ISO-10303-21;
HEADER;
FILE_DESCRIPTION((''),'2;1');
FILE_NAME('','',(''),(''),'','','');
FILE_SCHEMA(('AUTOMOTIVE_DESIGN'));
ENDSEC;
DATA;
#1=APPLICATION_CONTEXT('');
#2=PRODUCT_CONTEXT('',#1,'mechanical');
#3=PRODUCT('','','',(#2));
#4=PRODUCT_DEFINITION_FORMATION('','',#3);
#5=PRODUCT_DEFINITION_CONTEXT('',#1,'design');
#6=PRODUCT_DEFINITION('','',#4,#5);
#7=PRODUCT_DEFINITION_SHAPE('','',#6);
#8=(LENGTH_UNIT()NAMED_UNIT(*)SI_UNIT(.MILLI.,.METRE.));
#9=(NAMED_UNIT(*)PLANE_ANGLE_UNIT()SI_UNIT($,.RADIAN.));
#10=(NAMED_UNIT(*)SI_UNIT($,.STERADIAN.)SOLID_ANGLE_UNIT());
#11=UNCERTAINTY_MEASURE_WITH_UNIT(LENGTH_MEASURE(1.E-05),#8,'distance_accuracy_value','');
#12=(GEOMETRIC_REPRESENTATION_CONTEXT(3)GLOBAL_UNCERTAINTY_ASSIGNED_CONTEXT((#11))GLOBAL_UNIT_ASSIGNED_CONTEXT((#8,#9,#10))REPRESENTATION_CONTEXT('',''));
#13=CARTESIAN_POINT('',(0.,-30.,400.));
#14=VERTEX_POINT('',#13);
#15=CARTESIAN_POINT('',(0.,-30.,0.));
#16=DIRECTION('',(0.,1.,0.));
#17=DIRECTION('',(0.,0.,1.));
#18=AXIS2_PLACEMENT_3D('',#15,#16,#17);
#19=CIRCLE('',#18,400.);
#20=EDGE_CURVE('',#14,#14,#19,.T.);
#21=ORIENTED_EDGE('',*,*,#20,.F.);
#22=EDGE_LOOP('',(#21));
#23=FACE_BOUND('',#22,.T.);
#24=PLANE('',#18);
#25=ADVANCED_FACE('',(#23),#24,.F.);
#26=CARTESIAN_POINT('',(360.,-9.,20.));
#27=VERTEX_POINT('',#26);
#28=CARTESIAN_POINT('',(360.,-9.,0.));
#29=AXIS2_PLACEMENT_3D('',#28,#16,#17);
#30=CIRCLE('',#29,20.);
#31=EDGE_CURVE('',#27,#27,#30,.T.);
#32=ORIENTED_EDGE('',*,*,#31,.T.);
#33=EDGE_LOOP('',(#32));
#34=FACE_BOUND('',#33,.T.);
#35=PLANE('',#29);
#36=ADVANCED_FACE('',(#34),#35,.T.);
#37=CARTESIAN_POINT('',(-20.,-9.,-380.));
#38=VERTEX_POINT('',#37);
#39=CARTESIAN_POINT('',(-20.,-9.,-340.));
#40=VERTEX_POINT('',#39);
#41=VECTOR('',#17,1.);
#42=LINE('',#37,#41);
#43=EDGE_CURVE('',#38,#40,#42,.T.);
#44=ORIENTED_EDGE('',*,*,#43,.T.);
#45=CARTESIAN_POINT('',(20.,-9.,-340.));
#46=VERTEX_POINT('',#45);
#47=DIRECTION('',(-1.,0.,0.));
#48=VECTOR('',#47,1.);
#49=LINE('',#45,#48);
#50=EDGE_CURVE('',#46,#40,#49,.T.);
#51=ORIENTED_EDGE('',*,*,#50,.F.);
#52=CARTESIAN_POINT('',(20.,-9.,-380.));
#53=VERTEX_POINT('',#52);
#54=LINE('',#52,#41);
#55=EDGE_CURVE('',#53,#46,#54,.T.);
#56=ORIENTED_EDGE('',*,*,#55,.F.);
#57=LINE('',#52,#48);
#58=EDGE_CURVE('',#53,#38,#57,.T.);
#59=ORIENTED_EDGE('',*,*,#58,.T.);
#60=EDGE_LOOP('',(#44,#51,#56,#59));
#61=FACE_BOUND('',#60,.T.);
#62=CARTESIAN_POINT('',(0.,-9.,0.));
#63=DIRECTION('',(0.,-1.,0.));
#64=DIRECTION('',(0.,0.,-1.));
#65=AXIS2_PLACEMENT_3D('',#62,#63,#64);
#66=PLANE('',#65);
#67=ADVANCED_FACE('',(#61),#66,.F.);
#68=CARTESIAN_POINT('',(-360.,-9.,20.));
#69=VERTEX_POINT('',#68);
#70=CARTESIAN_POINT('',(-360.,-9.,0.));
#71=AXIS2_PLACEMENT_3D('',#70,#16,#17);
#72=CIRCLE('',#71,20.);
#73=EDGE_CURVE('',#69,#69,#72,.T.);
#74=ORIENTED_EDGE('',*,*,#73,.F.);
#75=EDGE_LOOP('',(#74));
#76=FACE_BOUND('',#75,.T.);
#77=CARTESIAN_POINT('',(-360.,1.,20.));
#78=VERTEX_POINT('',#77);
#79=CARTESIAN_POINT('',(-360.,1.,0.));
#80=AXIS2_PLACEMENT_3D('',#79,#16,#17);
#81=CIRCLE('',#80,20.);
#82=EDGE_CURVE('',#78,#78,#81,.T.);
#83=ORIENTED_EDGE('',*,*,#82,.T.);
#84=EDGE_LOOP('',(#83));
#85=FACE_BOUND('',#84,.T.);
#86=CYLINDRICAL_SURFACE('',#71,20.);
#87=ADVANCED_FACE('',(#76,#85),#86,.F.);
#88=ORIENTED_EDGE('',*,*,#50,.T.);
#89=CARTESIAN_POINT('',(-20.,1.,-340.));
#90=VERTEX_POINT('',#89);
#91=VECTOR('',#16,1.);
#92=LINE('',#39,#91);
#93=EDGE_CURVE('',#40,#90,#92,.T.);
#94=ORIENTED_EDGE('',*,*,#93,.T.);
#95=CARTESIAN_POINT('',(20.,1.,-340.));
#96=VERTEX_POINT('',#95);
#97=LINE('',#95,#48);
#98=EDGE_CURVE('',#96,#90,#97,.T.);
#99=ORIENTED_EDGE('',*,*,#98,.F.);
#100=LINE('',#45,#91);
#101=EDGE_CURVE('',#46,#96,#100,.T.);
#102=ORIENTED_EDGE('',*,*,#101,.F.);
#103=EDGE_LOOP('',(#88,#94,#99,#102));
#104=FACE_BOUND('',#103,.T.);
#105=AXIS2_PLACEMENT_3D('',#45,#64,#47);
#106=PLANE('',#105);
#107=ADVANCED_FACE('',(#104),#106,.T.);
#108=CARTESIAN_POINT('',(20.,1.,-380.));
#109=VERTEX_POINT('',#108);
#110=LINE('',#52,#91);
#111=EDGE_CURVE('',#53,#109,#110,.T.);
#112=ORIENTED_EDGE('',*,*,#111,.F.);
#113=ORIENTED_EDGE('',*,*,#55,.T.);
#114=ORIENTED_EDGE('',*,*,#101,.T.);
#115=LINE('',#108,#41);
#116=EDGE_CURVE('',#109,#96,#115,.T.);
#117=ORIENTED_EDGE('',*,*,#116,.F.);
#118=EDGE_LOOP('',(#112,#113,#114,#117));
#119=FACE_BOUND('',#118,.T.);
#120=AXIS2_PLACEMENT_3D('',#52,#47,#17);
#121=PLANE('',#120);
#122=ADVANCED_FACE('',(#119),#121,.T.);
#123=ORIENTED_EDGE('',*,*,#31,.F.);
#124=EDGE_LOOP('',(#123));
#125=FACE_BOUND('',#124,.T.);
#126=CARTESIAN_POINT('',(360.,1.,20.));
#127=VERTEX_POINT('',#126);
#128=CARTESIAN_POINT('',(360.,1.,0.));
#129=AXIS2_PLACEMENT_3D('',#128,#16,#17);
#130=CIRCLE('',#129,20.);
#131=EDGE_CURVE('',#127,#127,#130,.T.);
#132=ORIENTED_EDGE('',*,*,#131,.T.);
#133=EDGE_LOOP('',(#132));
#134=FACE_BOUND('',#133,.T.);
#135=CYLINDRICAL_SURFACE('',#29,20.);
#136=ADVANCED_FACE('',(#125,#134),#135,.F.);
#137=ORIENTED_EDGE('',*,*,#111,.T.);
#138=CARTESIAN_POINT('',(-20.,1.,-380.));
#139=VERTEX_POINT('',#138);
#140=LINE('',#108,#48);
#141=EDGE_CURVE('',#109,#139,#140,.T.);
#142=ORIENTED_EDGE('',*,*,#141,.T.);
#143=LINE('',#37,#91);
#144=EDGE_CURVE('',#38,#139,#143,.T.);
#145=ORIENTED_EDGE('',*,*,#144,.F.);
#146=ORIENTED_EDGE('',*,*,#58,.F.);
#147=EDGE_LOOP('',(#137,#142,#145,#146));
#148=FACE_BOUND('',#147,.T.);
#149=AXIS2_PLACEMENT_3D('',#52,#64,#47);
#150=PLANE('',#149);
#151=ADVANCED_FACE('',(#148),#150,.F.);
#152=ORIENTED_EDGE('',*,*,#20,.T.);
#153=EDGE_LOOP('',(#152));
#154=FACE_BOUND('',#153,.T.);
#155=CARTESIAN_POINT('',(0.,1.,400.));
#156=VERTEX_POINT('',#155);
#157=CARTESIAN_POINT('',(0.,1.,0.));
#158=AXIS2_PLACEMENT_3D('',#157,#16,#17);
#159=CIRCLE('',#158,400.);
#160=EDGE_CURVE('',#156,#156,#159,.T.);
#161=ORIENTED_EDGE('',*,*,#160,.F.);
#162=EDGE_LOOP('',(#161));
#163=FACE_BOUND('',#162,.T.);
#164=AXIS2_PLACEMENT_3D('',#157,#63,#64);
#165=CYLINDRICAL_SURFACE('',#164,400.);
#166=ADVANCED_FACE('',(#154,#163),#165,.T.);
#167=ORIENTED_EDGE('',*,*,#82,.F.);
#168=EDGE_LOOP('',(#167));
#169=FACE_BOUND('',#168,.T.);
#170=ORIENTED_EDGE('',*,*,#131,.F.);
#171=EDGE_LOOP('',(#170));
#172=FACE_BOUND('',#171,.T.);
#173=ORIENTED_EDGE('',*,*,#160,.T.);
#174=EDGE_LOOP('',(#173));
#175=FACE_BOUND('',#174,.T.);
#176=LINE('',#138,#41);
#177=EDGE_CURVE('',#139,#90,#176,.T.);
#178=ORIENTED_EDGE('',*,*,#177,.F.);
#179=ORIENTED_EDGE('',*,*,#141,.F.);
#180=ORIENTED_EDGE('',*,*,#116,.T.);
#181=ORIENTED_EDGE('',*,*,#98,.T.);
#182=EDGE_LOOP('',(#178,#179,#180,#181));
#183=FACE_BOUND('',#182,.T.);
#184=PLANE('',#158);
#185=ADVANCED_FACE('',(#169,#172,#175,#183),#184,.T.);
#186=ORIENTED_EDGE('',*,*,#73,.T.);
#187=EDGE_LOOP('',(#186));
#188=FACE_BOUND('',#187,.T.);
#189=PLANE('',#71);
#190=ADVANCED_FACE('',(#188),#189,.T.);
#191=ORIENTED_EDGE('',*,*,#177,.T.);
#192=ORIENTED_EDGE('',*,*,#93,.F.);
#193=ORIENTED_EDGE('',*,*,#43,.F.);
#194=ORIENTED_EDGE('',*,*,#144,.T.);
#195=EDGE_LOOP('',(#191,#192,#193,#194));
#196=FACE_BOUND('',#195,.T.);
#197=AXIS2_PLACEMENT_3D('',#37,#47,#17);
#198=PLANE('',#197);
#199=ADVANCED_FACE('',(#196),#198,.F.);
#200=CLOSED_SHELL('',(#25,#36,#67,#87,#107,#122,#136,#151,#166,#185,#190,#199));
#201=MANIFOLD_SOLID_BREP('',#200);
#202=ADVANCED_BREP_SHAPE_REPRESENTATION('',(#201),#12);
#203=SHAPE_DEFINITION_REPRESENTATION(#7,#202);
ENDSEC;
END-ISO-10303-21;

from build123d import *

# Parameters (mm, degrees)
BOSS_EXTRUDE1_DEPTH      = 1
BOSS_EXTRUDE1_DEPTH_BACK = 30
SKETCH1_R                = 400
SKETCH2_R                = 20
SKETCH2_W                = 40
SKETCH2_H                = 40
CUT_EXTRUDE1_DEPTH       = 10


with BuildPart() as part:
    # Sketch1 → Boss-Extrude1 (new, two sides: drawn at the far end of the back side and taken through both)
    with BuildSketch(Plane(origin=(0, 0, 0), x_dir=(1, 0, 0), z_dir=(0, 1, 0)).offset(-BOSS_EXTRUDE1_DEPTH_BACK)):
        with Locations(Location((0, 0, 0), (0, 0, 270))):
            Circle(SKETCH1_R)
    extrude(amount=BOSS_EXTRUDE1_DEPTH + BOSS_EXTRUDE1_DEPTH_BACK)

    # Sketch2 → Cut-Extrude1 (cut)
    with BuildSketch(Plane(origin=(0, 1, 0), x_dir=(1, 0, 0), z_dir=(0, 1, 0))):
        with Locations(Location((-360, 0, 0), (0, 0, 270))):
            Circle(SKETCH2_R)
        with Locations(Location((360, 0, 0), (0, 0, 270))):
            Circle(SKETCH2_R)
        with Locations((0, 360)):
            Rectangle(SKETCH2_W, SKETCH2_H)
    extrude(amount=-CUT_EXTRUDE1_DEPTH, mode=Mode.SUBTRACT)


solid = part.part
